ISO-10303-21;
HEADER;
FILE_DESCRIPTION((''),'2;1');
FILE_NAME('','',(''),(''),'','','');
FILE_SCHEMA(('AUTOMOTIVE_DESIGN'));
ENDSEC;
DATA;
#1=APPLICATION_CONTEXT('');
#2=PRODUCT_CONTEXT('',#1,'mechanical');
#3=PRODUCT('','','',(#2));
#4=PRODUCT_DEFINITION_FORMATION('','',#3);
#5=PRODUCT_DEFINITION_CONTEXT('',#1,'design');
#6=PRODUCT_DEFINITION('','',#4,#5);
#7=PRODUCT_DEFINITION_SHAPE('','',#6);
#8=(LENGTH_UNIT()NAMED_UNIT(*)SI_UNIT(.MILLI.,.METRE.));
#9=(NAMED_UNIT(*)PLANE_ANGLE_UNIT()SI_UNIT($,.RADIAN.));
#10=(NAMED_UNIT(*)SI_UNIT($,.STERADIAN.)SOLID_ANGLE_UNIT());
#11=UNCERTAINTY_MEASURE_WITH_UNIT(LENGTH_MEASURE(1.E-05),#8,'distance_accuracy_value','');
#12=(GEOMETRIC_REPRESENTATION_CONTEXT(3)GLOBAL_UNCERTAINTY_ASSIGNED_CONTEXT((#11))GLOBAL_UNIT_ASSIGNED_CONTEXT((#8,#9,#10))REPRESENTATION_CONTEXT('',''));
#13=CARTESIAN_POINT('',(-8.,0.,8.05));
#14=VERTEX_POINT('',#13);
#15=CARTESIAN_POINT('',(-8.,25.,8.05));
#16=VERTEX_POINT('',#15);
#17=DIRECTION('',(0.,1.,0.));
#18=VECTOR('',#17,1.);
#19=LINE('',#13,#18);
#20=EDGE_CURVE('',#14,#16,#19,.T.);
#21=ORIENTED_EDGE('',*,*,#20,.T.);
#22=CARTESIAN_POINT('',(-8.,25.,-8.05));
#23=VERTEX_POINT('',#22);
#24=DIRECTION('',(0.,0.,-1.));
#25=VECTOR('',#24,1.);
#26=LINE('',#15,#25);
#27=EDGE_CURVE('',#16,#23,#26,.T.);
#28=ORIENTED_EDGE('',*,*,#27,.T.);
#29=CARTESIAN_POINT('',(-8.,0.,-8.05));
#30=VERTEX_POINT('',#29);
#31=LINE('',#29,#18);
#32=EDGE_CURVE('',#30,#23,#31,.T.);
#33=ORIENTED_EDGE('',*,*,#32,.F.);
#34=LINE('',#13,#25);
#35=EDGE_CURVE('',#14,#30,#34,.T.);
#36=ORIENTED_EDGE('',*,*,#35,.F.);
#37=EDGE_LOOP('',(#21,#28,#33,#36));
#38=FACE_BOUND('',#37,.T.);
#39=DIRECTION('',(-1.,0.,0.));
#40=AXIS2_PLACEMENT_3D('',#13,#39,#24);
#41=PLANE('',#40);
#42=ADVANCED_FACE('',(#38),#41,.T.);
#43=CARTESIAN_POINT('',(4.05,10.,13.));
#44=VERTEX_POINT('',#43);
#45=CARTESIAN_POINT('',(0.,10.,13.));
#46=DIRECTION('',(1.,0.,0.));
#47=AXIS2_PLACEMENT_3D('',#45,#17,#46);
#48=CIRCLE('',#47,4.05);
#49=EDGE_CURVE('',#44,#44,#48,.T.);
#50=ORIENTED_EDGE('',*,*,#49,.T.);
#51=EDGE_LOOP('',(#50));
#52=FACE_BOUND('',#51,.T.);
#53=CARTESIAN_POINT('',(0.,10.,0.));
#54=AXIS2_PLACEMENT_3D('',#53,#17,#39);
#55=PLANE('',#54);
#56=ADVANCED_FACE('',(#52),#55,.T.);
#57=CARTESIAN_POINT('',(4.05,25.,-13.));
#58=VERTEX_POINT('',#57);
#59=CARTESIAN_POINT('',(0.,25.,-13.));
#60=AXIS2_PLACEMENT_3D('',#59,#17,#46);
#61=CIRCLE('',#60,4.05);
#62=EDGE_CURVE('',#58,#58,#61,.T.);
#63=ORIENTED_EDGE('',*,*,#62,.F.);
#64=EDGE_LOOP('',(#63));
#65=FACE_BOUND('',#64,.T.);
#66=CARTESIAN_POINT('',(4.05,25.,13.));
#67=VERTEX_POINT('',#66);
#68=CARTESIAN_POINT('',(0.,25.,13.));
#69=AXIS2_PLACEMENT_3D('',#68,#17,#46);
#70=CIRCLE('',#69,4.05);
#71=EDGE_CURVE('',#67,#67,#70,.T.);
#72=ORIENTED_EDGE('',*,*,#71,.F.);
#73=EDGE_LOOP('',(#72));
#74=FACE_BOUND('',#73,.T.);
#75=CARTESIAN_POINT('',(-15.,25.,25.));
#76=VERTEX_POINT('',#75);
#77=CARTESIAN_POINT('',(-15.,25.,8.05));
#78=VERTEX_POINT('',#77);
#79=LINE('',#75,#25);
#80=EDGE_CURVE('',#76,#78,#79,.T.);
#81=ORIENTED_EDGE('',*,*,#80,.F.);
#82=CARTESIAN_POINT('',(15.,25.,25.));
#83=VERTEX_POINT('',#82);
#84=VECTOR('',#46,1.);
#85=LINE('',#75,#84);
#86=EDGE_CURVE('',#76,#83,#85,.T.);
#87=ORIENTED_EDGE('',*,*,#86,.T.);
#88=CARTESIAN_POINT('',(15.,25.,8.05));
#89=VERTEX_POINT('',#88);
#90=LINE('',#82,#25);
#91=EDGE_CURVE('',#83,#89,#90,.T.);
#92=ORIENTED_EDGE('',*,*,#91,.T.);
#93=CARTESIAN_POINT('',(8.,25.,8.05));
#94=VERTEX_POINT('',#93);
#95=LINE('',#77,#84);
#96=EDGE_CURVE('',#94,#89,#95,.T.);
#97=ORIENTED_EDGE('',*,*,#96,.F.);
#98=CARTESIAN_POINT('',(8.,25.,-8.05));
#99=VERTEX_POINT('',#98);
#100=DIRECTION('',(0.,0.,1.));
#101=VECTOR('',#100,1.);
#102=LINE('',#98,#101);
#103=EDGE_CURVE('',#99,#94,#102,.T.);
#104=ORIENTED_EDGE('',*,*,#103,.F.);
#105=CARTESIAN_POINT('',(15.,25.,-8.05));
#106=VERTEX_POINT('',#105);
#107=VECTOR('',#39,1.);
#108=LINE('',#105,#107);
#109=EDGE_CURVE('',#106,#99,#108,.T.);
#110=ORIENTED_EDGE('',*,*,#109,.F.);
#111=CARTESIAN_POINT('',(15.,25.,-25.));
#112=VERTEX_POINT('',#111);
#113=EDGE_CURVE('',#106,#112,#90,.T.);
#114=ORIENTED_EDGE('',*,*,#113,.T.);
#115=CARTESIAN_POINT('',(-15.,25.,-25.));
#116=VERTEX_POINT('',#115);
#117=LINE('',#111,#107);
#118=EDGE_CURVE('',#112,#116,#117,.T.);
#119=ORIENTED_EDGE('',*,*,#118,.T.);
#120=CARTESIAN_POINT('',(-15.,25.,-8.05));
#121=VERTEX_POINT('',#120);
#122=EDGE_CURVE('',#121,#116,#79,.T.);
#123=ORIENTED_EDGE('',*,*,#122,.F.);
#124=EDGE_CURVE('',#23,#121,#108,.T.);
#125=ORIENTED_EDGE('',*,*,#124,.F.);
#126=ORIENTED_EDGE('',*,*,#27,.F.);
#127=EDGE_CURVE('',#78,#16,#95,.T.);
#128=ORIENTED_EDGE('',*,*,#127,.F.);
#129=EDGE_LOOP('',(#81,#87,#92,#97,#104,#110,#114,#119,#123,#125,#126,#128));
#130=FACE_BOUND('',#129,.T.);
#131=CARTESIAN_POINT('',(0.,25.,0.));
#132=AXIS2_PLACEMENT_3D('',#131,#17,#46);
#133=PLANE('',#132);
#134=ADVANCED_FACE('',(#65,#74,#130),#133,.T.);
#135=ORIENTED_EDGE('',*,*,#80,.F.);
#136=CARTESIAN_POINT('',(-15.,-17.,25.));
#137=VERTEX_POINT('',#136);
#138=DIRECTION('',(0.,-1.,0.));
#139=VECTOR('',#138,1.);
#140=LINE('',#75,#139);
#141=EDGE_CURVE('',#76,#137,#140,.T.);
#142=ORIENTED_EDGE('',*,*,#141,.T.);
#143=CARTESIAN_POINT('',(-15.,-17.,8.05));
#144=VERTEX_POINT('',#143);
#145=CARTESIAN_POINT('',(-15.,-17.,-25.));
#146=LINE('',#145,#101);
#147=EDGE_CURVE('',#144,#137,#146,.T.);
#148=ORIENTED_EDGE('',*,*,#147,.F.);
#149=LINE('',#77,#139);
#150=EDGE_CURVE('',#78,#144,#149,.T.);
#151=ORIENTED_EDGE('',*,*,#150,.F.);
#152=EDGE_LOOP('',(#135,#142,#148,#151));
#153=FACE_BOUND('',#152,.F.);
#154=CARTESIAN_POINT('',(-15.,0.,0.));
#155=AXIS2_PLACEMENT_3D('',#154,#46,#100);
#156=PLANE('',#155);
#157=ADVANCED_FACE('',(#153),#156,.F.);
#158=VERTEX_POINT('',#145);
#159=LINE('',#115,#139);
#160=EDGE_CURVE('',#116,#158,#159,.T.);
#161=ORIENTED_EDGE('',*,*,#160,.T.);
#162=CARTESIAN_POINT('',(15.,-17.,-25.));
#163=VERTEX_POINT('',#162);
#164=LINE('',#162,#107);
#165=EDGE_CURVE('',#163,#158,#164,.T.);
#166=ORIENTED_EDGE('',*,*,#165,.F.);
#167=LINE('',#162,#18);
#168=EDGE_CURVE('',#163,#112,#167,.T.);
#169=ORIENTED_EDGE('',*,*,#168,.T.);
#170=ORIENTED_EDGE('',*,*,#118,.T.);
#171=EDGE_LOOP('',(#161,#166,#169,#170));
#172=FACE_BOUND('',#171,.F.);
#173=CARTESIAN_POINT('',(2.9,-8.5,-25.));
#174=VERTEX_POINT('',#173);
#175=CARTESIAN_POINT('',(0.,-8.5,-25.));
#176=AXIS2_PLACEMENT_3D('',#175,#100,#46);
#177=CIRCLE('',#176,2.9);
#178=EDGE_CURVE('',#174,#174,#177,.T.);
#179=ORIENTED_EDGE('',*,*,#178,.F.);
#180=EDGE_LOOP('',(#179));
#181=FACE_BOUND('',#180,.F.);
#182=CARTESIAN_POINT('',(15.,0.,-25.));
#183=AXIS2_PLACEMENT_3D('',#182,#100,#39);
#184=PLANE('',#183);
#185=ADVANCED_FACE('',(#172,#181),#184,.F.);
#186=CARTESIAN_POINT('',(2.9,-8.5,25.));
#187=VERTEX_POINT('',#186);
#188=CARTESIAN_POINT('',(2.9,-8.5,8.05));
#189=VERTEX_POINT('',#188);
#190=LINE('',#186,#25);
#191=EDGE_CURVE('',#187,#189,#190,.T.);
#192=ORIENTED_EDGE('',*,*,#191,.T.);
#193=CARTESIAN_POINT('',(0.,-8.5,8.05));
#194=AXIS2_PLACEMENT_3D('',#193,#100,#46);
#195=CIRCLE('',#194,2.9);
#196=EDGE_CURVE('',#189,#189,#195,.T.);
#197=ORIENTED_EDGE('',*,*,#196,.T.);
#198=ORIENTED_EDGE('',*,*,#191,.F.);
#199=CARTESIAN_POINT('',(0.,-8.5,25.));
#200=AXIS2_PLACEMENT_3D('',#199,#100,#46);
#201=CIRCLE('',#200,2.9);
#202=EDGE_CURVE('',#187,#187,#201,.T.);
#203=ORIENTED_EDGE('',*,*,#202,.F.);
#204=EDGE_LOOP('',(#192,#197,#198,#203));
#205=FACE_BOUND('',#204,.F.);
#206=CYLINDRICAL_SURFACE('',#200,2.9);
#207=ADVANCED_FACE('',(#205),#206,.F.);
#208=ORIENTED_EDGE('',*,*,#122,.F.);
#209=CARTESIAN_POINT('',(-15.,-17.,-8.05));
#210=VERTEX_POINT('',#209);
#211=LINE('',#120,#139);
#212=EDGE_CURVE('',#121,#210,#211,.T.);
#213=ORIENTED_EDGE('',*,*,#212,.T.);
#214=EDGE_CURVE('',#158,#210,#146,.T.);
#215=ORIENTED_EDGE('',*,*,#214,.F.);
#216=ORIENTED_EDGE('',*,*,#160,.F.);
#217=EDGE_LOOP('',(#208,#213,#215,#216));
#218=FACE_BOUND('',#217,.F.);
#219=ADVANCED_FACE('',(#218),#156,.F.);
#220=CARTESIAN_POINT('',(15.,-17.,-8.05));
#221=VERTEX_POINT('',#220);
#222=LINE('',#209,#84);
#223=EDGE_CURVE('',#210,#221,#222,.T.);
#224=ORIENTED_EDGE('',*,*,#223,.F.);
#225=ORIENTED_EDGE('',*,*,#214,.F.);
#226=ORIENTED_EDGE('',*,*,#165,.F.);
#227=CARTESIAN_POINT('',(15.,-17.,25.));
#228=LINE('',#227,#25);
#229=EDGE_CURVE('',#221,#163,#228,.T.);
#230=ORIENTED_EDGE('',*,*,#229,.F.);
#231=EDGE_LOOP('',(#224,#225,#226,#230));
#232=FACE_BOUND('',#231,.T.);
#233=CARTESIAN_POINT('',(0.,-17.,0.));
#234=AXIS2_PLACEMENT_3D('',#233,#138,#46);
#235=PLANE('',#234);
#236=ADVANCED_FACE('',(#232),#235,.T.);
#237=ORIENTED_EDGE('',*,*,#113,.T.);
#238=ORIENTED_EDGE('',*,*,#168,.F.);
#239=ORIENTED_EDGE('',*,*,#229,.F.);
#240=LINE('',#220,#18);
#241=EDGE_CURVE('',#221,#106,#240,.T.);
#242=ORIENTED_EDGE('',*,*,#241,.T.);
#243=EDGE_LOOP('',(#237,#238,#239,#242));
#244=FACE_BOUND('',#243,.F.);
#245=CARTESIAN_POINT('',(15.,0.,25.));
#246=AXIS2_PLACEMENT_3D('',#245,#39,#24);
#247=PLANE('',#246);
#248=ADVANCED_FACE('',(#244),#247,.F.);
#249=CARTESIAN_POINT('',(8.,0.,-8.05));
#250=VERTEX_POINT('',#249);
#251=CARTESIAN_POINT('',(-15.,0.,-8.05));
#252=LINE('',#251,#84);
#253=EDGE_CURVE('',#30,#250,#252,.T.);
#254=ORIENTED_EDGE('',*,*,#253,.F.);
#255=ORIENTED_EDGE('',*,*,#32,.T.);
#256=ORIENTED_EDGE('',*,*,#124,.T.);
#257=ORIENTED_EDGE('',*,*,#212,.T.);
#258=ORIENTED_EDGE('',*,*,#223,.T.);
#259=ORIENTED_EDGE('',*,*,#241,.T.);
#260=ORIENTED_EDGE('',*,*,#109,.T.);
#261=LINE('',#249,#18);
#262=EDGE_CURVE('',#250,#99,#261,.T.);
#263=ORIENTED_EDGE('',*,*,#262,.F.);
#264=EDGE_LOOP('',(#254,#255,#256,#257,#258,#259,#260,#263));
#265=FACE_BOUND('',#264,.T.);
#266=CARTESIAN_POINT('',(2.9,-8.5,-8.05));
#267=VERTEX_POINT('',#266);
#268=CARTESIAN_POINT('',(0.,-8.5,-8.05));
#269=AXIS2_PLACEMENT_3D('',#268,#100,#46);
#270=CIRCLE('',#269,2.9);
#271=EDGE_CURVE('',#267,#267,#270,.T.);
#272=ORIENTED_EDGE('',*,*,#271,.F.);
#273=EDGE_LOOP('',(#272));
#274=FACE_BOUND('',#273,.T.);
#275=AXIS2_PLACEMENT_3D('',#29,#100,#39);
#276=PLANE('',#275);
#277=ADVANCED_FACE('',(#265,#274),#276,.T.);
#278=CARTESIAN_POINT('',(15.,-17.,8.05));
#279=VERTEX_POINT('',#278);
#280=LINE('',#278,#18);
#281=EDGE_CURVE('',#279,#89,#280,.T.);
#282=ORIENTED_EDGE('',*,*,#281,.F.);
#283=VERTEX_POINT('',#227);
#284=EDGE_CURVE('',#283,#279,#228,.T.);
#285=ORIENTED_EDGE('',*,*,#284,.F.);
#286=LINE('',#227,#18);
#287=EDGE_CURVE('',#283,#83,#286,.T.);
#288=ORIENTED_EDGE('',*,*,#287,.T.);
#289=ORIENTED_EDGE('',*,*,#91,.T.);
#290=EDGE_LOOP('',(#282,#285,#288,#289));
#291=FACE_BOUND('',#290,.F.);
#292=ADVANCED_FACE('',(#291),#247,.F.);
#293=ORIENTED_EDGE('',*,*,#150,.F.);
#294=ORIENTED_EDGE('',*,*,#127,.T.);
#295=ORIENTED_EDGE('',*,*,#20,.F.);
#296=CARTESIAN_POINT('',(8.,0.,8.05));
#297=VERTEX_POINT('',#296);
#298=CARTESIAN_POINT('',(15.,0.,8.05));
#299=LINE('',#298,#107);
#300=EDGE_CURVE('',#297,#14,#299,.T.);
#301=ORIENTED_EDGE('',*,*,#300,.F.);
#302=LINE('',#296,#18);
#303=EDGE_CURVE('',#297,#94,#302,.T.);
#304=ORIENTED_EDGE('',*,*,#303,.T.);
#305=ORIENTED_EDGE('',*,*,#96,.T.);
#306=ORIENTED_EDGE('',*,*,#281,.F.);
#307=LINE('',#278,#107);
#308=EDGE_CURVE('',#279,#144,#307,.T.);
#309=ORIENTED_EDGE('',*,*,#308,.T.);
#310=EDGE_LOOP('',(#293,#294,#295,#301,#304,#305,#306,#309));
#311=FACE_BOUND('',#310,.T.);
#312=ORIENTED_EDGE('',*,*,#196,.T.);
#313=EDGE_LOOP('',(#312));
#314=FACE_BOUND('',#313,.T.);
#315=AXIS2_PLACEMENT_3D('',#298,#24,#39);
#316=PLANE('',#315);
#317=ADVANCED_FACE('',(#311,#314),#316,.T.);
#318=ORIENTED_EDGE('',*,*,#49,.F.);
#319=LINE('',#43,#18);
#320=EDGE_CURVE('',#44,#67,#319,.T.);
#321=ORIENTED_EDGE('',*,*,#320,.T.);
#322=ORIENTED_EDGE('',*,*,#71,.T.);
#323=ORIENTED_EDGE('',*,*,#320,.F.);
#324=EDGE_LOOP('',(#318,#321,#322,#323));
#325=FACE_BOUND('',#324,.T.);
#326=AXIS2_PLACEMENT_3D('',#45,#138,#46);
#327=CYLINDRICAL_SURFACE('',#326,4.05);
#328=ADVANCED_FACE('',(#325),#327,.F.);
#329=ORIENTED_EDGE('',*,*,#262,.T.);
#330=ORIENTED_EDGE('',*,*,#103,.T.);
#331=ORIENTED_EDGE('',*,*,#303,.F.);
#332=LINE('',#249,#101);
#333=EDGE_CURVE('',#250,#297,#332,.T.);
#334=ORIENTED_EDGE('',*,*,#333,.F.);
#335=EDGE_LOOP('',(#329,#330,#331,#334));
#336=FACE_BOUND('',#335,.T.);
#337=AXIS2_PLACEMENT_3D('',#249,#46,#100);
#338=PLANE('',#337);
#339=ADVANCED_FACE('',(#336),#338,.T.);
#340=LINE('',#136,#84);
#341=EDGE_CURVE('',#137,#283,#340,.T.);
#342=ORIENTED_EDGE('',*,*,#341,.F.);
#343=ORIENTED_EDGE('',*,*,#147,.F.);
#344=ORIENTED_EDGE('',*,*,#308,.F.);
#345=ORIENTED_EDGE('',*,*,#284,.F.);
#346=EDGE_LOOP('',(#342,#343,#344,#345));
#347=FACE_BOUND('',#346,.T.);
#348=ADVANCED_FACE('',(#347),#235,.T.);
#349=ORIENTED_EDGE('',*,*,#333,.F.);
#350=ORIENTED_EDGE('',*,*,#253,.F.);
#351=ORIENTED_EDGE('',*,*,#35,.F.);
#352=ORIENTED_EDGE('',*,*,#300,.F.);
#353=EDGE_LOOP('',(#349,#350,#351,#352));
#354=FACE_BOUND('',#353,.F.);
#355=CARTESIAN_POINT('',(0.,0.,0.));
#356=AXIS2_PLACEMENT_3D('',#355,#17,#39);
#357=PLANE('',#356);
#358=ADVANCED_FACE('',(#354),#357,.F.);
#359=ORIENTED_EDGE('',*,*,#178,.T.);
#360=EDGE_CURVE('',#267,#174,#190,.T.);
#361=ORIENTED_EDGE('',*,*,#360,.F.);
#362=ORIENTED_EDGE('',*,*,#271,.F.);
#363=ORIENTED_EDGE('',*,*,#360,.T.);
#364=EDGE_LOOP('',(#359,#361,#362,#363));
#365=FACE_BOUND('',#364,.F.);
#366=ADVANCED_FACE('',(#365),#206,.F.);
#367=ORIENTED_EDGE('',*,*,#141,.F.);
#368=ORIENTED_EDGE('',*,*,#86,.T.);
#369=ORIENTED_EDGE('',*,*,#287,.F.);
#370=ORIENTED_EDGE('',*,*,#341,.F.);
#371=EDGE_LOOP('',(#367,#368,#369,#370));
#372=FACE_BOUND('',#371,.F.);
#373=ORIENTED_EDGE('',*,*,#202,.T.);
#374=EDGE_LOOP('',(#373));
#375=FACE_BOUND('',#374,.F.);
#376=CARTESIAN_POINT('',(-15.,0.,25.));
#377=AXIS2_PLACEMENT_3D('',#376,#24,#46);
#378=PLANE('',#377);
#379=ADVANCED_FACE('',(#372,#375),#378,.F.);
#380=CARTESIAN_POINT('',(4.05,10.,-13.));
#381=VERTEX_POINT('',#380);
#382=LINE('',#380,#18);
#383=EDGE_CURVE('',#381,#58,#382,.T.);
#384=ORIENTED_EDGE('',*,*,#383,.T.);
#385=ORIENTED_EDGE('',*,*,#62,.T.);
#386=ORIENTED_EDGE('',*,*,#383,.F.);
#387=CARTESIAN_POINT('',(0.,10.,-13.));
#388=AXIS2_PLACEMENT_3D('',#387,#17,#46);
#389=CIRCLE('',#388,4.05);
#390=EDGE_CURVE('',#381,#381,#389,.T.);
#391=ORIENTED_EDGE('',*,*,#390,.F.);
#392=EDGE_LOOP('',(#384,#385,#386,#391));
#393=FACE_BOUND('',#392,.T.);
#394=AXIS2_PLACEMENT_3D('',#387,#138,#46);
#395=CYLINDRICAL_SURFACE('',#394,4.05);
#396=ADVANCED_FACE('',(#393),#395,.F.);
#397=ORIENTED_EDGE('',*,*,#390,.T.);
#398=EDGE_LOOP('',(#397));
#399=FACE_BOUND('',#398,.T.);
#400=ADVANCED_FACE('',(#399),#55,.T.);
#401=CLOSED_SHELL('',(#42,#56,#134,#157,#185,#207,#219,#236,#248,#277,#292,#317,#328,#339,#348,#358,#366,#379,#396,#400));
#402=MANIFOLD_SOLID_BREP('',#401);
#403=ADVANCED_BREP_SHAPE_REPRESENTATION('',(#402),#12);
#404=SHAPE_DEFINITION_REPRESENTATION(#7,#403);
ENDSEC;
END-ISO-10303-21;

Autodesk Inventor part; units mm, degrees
ref_plane "YZ Plane" through (0, 0, 0) normal (1, 0, 0) x (0, 1, 0)
ref_plane "XZ Plane" through (0, 0, 0) normal (0, 1, 0) x (-1, 0, 0)
ref_plane "XY Plane" through (0, 0, 0) normal (0, 0, 1) x (1, 0, 0)
sketch "Esquisse1" plane through (0, 0, 0) normal (0, 1, 0) x (-1, 0, 0)
  line L0 (15, 25) -> (-15, 25)
  line L1 (-15, 25) -> (-15, -25)
  line L2 (-15, -25) -> (15, -25)
  line L3 (15, -25) -> (15, 25)
  line L4 (15, 25) -> (-15, -25)
  line L5 (-15, 25) -> (15, -25)
  circle A0 centre (0, 14) radius 4.05
  line L6 (21, 0) -> (-18, 0)
  circle A1 centre (0, -14) radius 4.05
  point P0 (0, 0)
  point P1 (0, 0)
  point P2 (0, 0)
  dimension "d0" = 50
  dimension "d1" = 30
  dimension "d2" = 8.1
  dimension "d3" = 14
extrude "Extrusion1" add sketch "Esquisse1" along normal blind 10 contours L4 L5 L0 | L3 L6 L4 | L5 L6 L1 | L3 L5 L6 | L5 L2 L4 | L4 L1 L6 | A0 | A1
sketch "Esquisse2" plane through (0, 10, 0) normal (0, 1, 0) x (1, 0, 0)
  circle A0 centre (0, -13) radius 4.05
  line L0 (-17, 0) -> (22, 0)
  circle A1 centre (0, 13) radius 4.05
  line L1 (-15, 25) -> (-15, -25) projected
  line L2 (15, -25) -> (15, 25) projected
  line L3 (-15, -25) -> (15, -25)
  line L4 (15, -25) -> (15, 25)
  line L5 (15, 25) -> (-15, 25)
  line L6 (-15, 25) -> (-15, -25)
  point P0 (0, 0)
  dimension "d6" = 8.1
  dimension "d7" = 13
extrude "Extrusion2" add sketch "Esquisse2" along normal blind 15
sketch "Esquisse3" plane through (0, 0, 0) normal (0, -1, 0) x (1, 0, 0)
  line L0 (-15, -25) -> (-15, 25) projected
  line L1 (15, 25) -> (15, -25) projected
  line L2 (-15, -8.05) -> (15, -8.05)
  line L3 (15, -8.05) -> (15, 8.05)
  line L4 (15, 8.05) -> (-15, 8.05)
  line L5 (-15, 8.05) -> (-15, -8.05)
  line L6 (-15, -8.05) -> (15, 8.05)
  line L7 (15, -8.05) -> (-15, 8.05)
  line L8 (15, -25) -> (-15, -25) projected
  line L9 (-15, 25) -> (15, 25) projected
  line L10 (-15, -25) -> (15, -25)
  line L11 (15, -25) -> (15, 25)
  line L12 (15, 25) -> (-15, 25)
  line L13 (-15, 25) -> (-15, -25)
  point P0 (0, 0)
  point P1 (0, 0)
  point P2 (0, 0)
  point P3 (-15, 8.05)
  point P4 (15, -8.05)
  dimension "d10" = 16.1
extrude "Extrusion3" add sketch "Esquisse3" along normal blind 17 contours L0 L2 L1 L8 | L0 L9 L1 L4
sketch "Esquisse4" plane through (-15, 25, 25) normal (0, 0, 1) x (1, 0, 0)
  line L0 (30, -25) -> (30, -42) projected
  line L1 (30, -25) -> (0, -25) projected
  line L2 (30, -42) -> (0, -42)
  line L3 (0, -42) -> (0, -25)
  line L4 (0, -25) -> (30, -25)
  line L5 (30, -25) -> (30, -42)
  circle A0 centre (15, -33.5) radius 2.9
  point P0 (15, -25)
  dimension "d13" = 5.8
extrude "Extrusion4" cut sketch "Esquisse4" against normal blind 50 contours A0
sketch "Esquisse5" plane through (0, 0, 0) normal (0, -1, 0) x (1, 0, 0)
  line L0 (15, -8.05) -> (-15, -8.05) projected
  line L1 (-15, 8.05) -> (15, 8.05) projected
  line L2 (-8, -8.05) -> (8, -8.05)
  line L3 (8, -8.05) -> (8, 8.05)
  line L4 (8, 8.05) -> (-8, 8.05)
  line L5 (-8, 8.05) -> (-8, -8.05)
  line L6 (-8, -8.05) -> (8, 8.05)
  line L7 (8, -8.05) -> (-8, 8.05)
  line L8 (-15, -8.05) -> (15, -8.05)
  line L9 (15, -8.05) -> (15, 8.05)
  line L10 (15, 8.05) -> (-15, 8.05)
  line L11 (-15, 8.05) -> (-15, -8.05)
  point P0 (0, 0)
  point P1 (0, 0)
  point P2 (0, 0)
  point P3 (8, -8.05)
  point P4 (-8, 8.05)
  dimension "d16" = 16
extrude "Extrusion5" cut sketch "Esquisse5" against normal blind 25 contours L0 L3 L1 L9 | L0 L11 L1 L5
